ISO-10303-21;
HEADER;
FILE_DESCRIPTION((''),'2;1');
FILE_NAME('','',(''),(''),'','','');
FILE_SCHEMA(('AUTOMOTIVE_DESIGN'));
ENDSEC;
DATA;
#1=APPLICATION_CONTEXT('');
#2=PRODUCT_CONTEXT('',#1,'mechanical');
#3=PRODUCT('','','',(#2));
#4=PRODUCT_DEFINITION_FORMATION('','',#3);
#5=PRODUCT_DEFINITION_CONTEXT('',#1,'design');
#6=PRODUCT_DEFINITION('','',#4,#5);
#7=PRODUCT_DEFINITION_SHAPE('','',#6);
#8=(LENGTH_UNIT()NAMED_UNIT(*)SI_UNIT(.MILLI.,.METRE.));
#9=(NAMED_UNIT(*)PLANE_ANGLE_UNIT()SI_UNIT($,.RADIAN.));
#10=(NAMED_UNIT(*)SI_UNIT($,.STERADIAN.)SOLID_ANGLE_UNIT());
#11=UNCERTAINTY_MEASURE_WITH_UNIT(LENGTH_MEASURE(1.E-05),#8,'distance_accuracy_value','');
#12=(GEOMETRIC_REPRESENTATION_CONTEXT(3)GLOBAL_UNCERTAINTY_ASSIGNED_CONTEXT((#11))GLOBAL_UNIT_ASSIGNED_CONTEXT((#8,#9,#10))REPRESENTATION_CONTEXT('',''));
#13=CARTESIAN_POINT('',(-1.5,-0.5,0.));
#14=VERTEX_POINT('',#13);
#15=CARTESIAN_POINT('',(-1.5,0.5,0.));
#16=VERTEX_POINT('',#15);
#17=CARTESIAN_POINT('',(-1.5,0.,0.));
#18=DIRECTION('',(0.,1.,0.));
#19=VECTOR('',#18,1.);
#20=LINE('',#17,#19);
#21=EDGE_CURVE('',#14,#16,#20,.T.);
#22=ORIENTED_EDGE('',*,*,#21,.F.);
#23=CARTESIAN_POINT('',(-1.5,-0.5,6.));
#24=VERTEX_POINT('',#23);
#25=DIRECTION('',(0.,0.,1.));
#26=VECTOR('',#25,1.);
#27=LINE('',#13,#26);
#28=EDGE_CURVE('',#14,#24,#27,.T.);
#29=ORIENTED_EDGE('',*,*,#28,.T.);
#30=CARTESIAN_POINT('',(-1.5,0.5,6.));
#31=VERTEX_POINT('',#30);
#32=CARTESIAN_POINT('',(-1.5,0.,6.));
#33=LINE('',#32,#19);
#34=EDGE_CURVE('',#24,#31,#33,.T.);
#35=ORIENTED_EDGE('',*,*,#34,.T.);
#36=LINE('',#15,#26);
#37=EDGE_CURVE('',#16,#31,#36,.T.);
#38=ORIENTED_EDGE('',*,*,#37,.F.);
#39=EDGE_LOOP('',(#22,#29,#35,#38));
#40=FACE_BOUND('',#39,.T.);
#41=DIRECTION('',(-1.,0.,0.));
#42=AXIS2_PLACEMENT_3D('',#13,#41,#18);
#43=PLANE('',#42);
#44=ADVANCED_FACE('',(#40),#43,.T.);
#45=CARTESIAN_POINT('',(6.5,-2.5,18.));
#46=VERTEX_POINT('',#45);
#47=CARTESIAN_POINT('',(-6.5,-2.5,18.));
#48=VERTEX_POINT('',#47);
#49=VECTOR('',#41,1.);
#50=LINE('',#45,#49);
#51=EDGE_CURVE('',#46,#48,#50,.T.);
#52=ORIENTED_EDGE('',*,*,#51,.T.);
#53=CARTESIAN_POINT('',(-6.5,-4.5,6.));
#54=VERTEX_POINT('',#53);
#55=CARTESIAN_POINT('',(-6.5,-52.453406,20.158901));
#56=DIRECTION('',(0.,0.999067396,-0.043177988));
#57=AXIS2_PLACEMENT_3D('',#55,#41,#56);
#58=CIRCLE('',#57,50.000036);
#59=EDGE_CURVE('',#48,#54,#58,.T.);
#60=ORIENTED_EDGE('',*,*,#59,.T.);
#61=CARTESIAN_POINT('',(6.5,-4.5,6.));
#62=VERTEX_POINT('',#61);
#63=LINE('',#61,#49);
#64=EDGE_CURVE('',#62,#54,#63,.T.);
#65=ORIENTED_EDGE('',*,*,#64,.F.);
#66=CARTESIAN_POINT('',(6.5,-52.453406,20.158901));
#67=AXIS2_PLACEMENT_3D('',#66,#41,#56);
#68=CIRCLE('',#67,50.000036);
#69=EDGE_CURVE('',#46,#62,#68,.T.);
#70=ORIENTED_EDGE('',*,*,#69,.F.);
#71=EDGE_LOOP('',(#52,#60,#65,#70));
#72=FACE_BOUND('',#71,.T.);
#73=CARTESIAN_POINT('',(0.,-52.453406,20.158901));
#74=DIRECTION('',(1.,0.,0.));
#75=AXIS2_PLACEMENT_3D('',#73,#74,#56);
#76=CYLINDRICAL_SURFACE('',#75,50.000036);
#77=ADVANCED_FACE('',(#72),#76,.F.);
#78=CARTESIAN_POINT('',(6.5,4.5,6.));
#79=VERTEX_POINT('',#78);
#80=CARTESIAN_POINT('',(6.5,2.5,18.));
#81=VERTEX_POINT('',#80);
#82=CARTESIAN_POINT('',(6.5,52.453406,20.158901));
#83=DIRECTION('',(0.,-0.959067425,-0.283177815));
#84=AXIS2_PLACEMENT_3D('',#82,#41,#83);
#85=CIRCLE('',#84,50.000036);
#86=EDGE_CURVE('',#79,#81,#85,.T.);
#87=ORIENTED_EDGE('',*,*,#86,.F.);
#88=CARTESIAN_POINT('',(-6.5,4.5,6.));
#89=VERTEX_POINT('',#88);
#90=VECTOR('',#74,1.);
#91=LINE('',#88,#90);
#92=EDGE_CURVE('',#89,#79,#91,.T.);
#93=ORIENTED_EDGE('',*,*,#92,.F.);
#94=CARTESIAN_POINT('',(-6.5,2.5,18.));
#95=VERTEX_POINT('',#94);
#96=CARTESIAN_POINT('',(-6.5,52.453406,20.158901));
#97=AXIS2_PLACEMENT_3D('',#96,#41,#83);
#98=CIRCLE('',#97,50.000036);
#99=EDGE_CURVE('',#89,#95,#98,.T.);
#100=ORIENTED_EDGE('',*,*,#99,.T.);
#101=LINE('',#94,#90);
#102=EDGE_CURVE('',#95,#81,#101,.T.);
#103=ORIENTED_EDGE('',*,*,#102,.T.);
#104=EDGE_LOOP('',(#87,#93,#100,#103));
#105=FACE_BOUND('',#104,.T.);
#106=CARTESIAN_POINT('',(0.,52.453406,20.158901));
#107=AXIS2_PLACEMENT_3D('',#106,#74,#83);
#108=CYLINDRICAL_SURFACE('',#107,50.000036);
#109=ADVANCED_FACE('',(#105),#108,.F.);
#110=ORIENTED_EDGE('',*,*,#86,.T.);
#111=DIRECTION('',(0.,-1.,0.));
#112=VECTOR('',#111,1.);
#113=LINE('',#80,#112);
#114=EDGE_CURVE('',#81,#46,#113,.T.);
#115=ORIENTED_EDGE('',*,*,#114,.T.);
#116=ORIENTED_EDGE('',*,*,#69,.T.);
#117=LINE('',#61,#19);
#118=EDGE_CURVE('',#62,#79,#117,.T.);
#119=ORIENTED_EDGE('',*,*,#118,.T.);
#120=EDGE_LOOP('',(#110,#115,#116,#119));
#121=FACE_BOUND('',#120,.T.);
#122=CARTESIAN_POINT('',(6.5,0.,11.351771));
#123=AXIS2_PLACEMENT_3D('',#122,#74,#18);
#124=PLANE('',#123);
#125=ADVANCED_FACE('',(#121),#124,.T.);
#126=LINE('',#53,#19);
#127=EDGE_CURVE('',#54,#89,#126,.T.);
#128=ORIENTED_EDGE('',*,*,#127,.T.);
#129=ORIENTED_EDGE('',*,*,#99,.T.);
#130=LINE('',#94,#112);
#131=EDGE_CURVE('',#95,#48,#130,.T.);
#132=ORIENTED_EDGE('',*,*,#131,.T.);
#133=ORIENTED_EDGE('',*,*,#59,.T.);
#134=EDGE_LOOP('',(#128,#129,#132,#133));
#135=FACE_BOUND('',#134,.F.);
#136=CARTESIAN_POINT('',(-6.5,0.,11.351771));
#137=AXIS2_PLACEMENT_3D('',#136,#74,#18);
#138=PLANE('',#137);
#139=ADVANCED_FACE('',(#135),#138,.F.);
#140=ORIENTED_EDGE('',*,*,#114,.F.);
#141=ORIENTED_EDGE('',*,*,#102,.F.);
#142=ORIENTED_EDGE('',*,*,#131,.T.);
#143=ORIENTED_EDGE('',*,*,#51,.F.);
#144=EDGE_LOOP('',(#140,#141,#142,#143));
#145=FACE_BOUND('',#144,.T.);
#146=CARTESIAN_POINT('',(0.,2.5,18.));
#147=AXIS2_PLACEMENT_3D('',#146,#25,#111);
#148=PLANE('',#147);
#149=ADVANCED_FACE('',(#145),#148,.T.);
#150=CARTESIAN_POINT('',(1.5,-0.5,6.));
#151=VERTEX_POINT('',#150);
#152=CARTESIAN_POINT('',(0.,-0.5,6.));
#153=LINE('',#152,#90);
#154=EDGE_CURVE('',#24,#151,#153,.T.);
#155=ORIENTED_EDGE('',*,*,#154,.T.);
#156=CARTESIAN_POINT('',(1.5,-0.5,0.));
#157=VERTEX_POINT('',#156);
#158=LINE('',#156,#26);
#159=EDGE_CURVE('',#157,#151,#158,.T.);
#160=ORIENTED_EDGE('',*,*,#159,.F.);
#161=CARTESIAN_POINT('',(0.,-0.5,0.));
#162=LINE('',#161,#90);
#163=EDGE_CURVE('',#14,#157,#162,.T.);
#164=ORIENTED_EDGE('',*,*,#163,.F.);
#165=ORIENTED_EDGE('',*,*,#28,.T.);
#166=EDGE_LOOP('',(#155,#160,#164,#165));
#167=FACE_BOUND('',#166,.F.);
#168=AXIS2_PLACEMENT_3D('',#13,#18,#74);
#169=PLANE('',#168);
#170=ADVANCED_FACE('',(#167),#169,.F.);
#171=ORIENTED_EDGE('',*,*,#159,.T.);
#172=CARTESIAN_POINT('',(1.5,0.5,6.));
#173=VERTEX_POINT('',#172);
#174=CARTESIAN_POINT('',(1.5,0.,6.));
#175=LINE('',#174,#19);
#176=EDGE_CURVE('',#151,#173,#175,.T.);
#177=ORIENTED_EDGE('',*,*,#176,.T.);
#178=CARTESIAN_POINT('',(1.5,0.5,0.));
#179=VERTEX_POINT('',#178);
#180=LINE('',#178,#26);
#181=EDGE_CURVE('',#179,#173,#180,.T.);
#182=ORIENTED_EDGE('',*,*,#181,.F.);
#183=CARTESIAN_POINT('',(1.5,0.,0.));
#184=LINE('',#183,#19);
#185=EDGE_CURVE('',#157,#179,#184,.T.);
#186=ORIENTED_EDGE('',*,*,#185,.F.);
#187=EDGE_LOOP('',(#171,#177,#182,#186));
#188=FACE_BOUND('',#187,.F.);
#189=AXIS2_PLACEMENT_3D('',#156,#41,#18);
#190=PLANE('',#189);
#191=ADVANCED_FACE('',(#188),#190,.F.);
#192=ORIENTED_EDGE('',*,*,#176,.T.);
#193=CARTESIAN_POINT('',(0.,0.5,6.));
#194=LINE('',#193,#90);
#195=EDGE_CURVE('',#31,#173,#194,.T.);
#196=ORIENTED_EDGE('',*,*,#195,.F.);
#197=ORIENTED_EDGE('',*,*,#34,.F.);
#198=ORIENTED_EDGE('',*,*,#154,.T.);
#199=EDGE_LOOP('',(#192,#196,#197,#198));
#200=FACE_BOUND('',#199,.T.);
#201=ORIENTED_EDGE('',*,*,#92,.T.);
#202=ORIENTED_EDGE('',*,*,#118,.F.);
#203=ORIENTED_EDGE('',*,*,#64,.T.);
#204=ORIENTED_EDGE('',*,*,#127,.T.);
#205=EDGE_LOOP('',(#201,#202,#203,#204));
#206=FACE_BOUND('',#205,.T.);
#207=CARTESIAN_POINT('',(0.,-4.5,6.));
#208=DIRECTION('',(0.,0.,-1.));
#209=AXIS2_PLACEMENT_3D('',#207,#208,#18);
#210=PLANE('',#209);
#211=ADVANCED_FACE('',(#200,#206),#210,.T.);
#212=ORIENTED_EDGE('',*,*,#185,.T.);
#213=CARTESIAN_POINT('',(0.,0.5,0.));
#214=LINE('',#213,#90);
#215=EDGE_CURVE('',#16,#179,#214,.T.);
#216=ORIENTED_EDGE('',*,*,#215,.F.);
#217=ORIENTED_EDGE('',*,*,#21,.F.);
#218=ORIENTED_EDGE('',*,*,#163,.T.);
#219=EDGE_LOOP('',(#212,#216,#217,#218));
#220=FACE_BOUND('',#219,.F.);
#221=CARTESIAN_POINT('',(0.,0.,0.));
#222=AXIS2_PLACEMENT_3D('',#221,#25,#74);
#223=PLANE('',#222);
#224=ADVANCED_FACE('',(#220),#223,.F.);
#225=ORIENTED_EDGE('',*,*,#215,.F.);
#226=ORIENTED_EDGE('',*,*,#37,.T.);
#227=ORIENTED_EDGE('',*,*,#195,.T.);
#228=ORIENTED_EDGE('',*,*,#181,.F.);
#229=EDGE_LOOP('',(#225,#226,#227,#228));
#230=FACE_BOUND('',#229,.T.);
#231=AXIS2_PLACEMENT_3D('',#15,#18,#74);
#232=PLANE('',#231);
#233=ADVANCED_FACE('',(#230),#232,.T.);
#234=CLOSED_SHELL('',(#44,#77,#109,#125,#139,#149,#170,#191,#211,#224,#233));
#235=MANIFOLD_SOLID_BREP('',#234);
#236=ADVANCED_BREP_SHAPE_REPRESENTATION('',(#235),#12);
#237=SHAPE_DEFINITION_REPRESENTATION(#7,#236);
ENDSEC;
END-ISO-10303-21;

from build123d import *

# Parameters (mm, degrees)
F0_W     = 3
F0_H     = 1
F1_DEPTH = 6
F3_DEPTH = 6.5


with BuildPart() as f1:
    # F0 (on Top) → F1 (new body)
    with BuildSketch(Plane.XY):
        Rectangle(F0_W, F0_H)
    extrude(amount=F1_DEPTH)

    # F2 (on Right) → F3 (join, symmetric)
    with BuildSketch(Plane.YZ):
        with BuildLine():
            Line((-4.5, 6), (4.5, 6))
            ThreePointArc((4.5, 6), (3.133674, 11.938946), (2.5, 18))
            Line((2.5, 18), (-2.5, 18))
            ThreePointArc((-2.5, 18), (-3.133674, 11.938946), (-4.5, 6))
        make_face()
    extrude(amount=F3_DEPTH, both=True)


solid = f1.part
